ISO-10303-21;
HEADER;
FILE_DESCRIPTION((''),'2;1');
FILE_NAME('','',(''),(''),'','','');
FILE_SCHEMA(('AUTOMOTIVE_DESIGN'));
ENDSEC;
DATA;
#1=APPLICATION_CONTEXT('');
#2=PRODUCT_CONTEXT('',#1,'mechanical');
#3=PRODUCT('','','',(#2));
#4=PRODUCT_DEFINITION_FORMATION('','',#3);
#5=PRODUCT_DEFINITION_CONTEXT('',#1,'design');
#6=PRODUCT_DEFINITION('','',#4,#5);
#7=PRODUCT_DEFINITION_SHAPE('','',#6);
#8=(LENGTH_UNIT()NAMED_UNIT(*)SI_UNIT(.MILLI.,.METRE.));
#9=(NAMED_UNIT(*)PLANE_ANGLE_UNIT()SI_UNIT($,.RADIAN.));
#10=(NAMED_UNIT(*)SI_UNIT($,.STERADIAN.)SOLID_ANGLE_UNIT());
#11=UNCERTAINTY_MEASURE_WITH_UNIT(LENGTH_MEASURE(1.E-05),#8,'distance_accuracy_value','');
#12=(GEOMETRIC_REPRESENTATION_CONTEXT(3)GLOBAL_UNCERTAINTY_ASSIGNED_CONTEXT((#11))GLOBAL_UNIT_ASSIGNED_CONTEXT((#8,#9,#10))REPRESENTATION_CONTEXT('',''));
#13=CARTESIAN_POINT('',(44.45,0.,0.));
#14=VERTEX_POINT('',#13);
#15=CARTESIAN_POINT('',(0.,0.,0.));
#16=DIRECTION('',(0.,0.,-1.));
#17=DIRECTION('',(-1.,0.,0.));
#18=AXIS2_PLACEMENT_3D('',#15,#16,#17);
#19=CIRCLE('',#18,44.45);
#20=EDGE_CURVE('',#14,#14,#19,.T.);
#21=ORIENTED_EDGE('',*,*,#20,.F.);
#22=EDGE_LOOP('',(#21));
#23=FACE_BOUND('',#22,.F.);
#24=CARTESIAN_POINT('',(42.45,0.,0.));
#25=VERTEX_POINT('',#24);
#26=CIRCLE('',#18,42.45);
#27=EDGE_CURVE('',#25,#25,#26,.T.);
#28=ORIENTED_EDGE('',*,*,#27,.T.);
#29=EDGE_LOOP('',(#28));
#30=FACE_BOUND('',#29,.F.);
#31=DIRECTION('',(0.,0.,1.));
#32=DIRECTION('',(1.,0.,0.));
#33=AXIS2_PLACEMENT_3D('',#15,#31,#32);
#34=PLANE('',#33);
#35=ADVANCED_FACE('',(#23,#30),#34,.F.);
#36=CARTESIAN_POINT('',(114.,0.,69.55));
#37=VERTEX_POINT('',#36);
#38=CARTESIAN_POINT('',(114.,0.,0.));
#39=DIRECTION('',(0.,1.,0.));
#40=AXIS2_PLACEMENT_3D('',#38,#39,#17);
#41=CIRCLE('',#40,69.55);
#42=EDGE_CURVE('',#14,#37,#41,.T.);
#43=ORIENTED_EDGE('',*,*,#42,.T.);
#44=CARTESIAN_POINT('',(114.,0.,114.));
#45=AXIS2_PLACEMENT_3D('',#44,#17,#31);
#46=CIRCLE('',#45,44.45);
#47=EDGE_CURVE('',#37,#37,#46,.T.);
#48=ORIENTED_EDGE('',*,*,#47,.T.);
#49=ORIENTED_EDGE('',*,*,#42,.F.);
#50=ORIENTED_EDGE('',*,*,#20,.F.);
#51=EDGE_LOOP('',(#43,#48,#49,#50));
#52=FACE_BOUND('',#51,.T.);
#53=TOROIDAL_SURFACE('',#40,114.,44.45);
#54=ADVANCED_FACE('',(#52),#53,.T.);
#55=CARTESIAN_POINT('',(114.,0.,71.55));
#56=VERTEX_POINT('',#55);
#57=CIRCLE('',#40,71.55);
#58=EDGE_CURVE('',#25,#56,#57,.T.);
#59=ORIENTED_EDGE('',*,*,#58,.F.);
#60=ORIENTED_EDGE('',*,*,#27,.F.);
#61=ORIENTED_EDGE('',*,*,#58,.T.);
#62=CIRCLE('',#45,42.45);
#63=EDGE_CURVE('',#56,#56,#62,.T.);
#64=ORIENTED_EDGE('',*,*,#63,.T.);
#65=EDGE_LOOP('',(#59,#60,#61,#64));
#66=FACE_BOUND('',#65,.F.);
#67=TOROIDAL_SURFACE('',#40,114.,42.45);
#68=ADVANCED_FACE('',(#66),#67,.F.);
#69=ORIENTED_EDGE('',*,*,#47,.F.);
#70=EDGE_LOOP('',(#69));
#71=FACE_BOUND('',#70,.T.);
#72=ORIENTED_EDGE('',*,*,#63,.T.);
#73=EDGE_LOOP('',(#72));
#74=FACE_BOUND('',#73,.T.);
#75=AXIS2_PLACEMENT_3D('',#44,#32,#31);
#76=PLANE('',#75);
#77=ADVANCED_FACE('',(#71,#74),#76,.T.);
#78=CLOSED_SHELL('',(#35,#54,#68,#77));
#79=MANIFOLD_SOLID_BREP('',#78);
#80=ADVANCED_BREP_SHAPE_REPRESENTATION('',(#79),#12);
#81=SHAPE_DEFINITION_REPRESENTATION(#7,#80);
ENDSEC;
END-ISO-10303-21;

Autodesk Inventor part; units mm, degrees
ref_plane "YZ Plane" through (0, 0, 0) normal (1, 0, 0) x (0, 1, 0)
ref_plane "XZ Plane" through (0, 0, 0) normal (0, 1, 0) x (-1, 0, 0)
ref_plane "XY Plane" through (0, 0, 0) normal (0, 0, 1) x (1, 0, 0)
sketch "Sketch1" plane through (0, 0, 0) normal (0, 0, 1) x (1, 0, 0)
  circle A0 centre (0, 0) radius 42.45
  circle A1 centre (0, 0) radius 44.45
  dimension "d0" = 84.9
  dimension "d1" = 88.9
sketch "Sketch2" plane through (0, 0, 0) normal (0, 1, 0) x (-1, 0, 0)
  line L0 (0, 0) -> (0, 114) construction
  line L1 (0, 114) -> (-114, 114) construction
  arc A0 (0, 0) -> (-114, 114) centre (-114, 0) ccw
  dimension "d2" = 114
  dimension "d3" = 114
sweep "Sweep1" add profiles "Sketch1" path "Sketch2"
equation "\"d0\" = -2 * T + D"
equation "\"d1\" = D"
equation "\"d2\" = F1"
equation "\"d3\" = F1"
equation "\"D\" = 88.9"
equation "\"F1\" = 114"
equation "\"T\" = 2"
equation "\"Size_Designation\" = 1.2345"
properties part number "ISO 5251 Bends 3D without straight ends(90 deg) DN80 2" material "Stainless Steel"
